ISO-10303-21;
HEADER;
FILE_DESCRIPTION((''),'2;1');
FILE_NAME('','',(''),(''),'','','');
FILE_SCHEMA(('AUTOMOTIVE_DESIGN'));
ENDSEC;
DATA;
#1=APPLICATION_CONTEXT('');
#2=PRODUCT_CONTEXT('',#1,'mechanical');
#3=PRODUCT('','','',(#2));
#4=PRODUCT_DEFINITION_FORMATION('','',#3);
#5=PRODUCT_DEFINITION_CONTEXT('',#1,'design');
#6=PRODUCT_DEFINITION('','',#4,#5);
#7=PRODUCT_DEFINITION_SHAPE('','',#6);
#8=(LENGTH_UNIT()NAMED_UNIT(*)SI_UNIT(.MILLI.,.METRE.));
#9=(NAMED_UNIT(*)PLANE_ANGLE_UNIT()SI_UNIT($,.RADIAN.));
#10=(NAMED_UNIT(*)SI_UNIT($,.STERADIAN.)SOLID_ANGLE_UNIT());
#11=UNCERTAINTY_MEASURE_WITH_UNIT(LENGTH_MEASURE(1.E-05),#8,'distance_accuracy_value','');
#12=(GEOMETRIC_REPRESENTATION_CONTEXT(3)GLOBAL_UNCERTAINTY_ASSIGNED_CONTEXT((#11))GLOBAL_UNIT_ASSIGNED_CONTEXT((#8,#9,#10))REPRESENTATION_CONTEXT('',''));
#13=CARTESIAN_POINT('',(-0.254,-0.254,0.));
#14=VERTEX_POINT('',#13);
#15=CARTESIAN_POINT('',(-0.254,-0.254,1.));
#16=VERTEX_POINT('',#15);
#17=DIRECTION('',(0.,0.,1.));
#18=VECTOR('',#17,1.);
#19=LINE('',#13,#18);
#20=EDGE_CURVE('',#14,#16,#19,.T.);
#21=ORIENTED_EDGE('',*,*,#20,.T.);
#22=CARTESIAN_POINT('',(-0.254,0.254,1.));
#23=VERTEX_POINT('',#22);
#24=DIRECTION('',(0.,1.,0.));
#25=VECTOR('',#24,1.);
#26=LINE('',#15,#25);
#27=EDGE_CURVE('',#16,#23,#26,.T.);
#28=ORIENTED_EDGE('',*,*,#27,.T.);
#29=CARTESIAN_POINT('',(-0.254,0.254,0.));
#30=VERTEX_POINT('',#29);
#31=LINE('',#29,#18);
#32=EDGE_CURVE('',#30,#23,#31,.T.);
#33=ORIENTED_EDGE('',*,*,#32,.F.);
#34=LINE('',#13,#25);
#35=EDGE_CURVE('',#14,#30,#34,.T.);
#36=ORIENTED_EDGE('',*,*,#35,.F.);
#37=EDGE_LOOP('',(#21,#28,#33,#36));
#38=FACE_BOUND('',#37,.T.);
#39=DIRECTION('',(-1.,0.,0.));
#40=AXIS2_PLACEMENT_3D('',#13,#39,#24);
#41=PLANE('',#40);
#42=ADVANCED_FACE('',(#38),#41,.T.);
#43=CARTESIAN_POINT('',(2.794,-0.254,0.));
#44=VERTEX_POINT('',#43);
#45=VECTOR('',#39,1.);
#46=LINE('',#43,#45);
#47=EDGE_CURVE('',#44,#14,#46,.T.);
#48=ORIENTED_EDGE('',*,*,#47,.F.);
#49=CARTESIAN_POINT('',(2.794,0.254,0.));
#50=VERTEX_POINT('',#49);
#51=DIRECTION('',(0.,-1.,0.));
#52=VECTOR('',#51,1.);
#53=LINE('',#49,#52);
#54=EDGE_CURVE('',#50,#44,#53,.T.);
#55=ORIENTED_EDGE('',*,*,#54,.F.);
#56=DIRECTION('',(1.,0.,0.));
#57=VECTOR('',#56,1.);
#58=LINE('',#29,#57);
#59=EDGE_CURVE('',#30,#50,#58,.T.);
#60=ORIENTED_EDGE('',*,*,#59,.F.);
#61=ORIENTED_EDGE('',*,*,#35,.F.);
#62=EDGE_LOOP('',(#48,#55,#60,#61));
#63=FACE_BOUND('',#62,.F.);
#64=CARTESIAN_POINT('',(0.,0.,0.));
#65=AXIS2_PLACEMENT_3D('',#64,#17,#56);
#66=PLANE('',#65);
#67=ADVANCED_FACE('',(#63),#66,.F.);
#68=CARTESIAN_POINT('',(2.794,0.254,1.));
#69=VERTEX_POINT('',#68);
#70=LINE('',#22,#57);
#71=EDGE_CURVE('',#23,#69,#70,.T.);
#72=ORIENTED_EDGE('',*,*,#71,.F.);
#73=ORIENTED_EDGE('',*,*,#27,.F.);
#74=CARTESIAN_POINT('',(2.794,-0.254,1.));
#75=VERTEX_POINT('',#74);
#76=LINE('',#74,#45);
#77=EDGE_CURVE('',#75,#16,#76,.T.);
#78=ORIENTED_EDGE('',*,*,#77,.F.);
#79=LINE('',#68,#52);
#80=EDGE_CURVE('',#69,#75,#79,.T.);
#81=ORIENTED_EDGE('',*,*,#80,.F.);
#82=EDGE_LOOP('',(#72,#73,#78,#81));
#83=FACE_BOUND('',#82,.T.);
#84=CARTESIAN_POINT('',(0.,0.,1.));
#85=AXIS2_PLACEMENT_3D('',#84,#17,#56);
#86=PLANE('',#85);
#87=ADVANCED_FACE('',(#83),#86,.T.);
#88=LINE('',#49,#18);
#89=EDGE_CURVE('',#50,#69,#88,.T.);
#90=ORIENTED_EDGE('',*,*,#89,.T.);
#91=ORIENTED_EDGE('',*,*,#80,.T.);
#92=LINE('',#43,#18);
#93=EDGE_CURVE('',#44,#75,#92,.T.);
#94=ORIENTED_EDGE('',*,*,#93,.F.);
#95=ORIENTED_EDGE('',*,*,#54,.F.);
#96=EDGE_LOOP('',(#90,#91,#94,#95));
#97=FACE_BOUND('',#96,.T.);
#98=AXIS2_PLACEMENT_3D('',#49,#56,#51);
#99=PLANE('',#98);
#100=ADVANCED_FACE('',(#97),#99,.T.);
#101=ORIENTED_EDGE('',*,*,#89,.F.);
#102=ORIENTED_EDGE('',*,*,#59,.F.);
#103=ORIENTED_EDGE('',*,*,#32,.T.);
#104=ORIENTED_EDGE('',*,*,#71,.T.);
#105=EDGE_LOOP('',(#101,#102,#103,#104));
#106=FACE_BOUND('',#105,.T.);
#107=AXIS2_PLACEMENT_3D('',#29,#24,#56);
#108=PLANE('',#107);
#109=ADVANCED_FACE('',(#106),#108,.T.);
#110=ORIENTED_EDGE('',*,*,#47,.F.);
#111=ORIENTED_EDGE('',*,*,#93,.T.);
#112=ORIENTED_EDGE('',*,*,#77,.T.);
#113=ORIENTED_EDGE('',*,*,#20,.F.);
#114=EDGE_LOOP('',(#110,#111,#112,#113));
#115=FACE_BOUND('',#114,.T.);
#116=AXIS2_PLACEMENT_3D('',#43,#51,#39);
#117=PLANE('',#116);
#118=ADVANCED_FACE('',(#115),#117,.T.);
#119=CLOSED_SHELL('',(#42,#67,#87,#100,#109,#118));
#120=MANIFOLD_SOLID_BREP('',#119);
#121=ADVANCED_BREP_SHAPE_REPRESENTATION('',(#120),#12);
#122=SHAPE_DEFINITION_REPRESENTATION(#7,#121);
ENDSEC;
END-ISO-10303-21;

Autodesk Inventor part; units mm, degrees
ref_plane "YZ Plane" through (0, 0, 0) normal (1, 0, 0) x (0, 1, 0)
ref_plane "XZ Plane" through (0, 0, 0) normal (0, 1, 0) x (-1, 0, 0)
ref_plane "XY Plane" through (0, 0, 0) normal (0, 0, 1) x (1, 0, 0)
sketch "1X02_NO_SILK, AIN6-7_1X02_NO_SILK_9" plane through (0, 0, 0) normal (0, 0, 1) x (1, 0, 0)
  line L0 (-0.254, 0.254) -> (2.794, 0.254)
  line L1 (2.794, 0.254) -> (2.794, -0.254)
  line L2 (2.794, -0.254) -> (-0.254, -0.254)
  line L3 (-0.254, -0.254) -> (-0.254, 0.254)
extrude "Extrusion1" add sketch "1X02_NO_SILK, AIN6-7_1X02_NO_SILK_9" along normal blind 1
properties part number "AIN6-7_1X02_NO_SILK"
